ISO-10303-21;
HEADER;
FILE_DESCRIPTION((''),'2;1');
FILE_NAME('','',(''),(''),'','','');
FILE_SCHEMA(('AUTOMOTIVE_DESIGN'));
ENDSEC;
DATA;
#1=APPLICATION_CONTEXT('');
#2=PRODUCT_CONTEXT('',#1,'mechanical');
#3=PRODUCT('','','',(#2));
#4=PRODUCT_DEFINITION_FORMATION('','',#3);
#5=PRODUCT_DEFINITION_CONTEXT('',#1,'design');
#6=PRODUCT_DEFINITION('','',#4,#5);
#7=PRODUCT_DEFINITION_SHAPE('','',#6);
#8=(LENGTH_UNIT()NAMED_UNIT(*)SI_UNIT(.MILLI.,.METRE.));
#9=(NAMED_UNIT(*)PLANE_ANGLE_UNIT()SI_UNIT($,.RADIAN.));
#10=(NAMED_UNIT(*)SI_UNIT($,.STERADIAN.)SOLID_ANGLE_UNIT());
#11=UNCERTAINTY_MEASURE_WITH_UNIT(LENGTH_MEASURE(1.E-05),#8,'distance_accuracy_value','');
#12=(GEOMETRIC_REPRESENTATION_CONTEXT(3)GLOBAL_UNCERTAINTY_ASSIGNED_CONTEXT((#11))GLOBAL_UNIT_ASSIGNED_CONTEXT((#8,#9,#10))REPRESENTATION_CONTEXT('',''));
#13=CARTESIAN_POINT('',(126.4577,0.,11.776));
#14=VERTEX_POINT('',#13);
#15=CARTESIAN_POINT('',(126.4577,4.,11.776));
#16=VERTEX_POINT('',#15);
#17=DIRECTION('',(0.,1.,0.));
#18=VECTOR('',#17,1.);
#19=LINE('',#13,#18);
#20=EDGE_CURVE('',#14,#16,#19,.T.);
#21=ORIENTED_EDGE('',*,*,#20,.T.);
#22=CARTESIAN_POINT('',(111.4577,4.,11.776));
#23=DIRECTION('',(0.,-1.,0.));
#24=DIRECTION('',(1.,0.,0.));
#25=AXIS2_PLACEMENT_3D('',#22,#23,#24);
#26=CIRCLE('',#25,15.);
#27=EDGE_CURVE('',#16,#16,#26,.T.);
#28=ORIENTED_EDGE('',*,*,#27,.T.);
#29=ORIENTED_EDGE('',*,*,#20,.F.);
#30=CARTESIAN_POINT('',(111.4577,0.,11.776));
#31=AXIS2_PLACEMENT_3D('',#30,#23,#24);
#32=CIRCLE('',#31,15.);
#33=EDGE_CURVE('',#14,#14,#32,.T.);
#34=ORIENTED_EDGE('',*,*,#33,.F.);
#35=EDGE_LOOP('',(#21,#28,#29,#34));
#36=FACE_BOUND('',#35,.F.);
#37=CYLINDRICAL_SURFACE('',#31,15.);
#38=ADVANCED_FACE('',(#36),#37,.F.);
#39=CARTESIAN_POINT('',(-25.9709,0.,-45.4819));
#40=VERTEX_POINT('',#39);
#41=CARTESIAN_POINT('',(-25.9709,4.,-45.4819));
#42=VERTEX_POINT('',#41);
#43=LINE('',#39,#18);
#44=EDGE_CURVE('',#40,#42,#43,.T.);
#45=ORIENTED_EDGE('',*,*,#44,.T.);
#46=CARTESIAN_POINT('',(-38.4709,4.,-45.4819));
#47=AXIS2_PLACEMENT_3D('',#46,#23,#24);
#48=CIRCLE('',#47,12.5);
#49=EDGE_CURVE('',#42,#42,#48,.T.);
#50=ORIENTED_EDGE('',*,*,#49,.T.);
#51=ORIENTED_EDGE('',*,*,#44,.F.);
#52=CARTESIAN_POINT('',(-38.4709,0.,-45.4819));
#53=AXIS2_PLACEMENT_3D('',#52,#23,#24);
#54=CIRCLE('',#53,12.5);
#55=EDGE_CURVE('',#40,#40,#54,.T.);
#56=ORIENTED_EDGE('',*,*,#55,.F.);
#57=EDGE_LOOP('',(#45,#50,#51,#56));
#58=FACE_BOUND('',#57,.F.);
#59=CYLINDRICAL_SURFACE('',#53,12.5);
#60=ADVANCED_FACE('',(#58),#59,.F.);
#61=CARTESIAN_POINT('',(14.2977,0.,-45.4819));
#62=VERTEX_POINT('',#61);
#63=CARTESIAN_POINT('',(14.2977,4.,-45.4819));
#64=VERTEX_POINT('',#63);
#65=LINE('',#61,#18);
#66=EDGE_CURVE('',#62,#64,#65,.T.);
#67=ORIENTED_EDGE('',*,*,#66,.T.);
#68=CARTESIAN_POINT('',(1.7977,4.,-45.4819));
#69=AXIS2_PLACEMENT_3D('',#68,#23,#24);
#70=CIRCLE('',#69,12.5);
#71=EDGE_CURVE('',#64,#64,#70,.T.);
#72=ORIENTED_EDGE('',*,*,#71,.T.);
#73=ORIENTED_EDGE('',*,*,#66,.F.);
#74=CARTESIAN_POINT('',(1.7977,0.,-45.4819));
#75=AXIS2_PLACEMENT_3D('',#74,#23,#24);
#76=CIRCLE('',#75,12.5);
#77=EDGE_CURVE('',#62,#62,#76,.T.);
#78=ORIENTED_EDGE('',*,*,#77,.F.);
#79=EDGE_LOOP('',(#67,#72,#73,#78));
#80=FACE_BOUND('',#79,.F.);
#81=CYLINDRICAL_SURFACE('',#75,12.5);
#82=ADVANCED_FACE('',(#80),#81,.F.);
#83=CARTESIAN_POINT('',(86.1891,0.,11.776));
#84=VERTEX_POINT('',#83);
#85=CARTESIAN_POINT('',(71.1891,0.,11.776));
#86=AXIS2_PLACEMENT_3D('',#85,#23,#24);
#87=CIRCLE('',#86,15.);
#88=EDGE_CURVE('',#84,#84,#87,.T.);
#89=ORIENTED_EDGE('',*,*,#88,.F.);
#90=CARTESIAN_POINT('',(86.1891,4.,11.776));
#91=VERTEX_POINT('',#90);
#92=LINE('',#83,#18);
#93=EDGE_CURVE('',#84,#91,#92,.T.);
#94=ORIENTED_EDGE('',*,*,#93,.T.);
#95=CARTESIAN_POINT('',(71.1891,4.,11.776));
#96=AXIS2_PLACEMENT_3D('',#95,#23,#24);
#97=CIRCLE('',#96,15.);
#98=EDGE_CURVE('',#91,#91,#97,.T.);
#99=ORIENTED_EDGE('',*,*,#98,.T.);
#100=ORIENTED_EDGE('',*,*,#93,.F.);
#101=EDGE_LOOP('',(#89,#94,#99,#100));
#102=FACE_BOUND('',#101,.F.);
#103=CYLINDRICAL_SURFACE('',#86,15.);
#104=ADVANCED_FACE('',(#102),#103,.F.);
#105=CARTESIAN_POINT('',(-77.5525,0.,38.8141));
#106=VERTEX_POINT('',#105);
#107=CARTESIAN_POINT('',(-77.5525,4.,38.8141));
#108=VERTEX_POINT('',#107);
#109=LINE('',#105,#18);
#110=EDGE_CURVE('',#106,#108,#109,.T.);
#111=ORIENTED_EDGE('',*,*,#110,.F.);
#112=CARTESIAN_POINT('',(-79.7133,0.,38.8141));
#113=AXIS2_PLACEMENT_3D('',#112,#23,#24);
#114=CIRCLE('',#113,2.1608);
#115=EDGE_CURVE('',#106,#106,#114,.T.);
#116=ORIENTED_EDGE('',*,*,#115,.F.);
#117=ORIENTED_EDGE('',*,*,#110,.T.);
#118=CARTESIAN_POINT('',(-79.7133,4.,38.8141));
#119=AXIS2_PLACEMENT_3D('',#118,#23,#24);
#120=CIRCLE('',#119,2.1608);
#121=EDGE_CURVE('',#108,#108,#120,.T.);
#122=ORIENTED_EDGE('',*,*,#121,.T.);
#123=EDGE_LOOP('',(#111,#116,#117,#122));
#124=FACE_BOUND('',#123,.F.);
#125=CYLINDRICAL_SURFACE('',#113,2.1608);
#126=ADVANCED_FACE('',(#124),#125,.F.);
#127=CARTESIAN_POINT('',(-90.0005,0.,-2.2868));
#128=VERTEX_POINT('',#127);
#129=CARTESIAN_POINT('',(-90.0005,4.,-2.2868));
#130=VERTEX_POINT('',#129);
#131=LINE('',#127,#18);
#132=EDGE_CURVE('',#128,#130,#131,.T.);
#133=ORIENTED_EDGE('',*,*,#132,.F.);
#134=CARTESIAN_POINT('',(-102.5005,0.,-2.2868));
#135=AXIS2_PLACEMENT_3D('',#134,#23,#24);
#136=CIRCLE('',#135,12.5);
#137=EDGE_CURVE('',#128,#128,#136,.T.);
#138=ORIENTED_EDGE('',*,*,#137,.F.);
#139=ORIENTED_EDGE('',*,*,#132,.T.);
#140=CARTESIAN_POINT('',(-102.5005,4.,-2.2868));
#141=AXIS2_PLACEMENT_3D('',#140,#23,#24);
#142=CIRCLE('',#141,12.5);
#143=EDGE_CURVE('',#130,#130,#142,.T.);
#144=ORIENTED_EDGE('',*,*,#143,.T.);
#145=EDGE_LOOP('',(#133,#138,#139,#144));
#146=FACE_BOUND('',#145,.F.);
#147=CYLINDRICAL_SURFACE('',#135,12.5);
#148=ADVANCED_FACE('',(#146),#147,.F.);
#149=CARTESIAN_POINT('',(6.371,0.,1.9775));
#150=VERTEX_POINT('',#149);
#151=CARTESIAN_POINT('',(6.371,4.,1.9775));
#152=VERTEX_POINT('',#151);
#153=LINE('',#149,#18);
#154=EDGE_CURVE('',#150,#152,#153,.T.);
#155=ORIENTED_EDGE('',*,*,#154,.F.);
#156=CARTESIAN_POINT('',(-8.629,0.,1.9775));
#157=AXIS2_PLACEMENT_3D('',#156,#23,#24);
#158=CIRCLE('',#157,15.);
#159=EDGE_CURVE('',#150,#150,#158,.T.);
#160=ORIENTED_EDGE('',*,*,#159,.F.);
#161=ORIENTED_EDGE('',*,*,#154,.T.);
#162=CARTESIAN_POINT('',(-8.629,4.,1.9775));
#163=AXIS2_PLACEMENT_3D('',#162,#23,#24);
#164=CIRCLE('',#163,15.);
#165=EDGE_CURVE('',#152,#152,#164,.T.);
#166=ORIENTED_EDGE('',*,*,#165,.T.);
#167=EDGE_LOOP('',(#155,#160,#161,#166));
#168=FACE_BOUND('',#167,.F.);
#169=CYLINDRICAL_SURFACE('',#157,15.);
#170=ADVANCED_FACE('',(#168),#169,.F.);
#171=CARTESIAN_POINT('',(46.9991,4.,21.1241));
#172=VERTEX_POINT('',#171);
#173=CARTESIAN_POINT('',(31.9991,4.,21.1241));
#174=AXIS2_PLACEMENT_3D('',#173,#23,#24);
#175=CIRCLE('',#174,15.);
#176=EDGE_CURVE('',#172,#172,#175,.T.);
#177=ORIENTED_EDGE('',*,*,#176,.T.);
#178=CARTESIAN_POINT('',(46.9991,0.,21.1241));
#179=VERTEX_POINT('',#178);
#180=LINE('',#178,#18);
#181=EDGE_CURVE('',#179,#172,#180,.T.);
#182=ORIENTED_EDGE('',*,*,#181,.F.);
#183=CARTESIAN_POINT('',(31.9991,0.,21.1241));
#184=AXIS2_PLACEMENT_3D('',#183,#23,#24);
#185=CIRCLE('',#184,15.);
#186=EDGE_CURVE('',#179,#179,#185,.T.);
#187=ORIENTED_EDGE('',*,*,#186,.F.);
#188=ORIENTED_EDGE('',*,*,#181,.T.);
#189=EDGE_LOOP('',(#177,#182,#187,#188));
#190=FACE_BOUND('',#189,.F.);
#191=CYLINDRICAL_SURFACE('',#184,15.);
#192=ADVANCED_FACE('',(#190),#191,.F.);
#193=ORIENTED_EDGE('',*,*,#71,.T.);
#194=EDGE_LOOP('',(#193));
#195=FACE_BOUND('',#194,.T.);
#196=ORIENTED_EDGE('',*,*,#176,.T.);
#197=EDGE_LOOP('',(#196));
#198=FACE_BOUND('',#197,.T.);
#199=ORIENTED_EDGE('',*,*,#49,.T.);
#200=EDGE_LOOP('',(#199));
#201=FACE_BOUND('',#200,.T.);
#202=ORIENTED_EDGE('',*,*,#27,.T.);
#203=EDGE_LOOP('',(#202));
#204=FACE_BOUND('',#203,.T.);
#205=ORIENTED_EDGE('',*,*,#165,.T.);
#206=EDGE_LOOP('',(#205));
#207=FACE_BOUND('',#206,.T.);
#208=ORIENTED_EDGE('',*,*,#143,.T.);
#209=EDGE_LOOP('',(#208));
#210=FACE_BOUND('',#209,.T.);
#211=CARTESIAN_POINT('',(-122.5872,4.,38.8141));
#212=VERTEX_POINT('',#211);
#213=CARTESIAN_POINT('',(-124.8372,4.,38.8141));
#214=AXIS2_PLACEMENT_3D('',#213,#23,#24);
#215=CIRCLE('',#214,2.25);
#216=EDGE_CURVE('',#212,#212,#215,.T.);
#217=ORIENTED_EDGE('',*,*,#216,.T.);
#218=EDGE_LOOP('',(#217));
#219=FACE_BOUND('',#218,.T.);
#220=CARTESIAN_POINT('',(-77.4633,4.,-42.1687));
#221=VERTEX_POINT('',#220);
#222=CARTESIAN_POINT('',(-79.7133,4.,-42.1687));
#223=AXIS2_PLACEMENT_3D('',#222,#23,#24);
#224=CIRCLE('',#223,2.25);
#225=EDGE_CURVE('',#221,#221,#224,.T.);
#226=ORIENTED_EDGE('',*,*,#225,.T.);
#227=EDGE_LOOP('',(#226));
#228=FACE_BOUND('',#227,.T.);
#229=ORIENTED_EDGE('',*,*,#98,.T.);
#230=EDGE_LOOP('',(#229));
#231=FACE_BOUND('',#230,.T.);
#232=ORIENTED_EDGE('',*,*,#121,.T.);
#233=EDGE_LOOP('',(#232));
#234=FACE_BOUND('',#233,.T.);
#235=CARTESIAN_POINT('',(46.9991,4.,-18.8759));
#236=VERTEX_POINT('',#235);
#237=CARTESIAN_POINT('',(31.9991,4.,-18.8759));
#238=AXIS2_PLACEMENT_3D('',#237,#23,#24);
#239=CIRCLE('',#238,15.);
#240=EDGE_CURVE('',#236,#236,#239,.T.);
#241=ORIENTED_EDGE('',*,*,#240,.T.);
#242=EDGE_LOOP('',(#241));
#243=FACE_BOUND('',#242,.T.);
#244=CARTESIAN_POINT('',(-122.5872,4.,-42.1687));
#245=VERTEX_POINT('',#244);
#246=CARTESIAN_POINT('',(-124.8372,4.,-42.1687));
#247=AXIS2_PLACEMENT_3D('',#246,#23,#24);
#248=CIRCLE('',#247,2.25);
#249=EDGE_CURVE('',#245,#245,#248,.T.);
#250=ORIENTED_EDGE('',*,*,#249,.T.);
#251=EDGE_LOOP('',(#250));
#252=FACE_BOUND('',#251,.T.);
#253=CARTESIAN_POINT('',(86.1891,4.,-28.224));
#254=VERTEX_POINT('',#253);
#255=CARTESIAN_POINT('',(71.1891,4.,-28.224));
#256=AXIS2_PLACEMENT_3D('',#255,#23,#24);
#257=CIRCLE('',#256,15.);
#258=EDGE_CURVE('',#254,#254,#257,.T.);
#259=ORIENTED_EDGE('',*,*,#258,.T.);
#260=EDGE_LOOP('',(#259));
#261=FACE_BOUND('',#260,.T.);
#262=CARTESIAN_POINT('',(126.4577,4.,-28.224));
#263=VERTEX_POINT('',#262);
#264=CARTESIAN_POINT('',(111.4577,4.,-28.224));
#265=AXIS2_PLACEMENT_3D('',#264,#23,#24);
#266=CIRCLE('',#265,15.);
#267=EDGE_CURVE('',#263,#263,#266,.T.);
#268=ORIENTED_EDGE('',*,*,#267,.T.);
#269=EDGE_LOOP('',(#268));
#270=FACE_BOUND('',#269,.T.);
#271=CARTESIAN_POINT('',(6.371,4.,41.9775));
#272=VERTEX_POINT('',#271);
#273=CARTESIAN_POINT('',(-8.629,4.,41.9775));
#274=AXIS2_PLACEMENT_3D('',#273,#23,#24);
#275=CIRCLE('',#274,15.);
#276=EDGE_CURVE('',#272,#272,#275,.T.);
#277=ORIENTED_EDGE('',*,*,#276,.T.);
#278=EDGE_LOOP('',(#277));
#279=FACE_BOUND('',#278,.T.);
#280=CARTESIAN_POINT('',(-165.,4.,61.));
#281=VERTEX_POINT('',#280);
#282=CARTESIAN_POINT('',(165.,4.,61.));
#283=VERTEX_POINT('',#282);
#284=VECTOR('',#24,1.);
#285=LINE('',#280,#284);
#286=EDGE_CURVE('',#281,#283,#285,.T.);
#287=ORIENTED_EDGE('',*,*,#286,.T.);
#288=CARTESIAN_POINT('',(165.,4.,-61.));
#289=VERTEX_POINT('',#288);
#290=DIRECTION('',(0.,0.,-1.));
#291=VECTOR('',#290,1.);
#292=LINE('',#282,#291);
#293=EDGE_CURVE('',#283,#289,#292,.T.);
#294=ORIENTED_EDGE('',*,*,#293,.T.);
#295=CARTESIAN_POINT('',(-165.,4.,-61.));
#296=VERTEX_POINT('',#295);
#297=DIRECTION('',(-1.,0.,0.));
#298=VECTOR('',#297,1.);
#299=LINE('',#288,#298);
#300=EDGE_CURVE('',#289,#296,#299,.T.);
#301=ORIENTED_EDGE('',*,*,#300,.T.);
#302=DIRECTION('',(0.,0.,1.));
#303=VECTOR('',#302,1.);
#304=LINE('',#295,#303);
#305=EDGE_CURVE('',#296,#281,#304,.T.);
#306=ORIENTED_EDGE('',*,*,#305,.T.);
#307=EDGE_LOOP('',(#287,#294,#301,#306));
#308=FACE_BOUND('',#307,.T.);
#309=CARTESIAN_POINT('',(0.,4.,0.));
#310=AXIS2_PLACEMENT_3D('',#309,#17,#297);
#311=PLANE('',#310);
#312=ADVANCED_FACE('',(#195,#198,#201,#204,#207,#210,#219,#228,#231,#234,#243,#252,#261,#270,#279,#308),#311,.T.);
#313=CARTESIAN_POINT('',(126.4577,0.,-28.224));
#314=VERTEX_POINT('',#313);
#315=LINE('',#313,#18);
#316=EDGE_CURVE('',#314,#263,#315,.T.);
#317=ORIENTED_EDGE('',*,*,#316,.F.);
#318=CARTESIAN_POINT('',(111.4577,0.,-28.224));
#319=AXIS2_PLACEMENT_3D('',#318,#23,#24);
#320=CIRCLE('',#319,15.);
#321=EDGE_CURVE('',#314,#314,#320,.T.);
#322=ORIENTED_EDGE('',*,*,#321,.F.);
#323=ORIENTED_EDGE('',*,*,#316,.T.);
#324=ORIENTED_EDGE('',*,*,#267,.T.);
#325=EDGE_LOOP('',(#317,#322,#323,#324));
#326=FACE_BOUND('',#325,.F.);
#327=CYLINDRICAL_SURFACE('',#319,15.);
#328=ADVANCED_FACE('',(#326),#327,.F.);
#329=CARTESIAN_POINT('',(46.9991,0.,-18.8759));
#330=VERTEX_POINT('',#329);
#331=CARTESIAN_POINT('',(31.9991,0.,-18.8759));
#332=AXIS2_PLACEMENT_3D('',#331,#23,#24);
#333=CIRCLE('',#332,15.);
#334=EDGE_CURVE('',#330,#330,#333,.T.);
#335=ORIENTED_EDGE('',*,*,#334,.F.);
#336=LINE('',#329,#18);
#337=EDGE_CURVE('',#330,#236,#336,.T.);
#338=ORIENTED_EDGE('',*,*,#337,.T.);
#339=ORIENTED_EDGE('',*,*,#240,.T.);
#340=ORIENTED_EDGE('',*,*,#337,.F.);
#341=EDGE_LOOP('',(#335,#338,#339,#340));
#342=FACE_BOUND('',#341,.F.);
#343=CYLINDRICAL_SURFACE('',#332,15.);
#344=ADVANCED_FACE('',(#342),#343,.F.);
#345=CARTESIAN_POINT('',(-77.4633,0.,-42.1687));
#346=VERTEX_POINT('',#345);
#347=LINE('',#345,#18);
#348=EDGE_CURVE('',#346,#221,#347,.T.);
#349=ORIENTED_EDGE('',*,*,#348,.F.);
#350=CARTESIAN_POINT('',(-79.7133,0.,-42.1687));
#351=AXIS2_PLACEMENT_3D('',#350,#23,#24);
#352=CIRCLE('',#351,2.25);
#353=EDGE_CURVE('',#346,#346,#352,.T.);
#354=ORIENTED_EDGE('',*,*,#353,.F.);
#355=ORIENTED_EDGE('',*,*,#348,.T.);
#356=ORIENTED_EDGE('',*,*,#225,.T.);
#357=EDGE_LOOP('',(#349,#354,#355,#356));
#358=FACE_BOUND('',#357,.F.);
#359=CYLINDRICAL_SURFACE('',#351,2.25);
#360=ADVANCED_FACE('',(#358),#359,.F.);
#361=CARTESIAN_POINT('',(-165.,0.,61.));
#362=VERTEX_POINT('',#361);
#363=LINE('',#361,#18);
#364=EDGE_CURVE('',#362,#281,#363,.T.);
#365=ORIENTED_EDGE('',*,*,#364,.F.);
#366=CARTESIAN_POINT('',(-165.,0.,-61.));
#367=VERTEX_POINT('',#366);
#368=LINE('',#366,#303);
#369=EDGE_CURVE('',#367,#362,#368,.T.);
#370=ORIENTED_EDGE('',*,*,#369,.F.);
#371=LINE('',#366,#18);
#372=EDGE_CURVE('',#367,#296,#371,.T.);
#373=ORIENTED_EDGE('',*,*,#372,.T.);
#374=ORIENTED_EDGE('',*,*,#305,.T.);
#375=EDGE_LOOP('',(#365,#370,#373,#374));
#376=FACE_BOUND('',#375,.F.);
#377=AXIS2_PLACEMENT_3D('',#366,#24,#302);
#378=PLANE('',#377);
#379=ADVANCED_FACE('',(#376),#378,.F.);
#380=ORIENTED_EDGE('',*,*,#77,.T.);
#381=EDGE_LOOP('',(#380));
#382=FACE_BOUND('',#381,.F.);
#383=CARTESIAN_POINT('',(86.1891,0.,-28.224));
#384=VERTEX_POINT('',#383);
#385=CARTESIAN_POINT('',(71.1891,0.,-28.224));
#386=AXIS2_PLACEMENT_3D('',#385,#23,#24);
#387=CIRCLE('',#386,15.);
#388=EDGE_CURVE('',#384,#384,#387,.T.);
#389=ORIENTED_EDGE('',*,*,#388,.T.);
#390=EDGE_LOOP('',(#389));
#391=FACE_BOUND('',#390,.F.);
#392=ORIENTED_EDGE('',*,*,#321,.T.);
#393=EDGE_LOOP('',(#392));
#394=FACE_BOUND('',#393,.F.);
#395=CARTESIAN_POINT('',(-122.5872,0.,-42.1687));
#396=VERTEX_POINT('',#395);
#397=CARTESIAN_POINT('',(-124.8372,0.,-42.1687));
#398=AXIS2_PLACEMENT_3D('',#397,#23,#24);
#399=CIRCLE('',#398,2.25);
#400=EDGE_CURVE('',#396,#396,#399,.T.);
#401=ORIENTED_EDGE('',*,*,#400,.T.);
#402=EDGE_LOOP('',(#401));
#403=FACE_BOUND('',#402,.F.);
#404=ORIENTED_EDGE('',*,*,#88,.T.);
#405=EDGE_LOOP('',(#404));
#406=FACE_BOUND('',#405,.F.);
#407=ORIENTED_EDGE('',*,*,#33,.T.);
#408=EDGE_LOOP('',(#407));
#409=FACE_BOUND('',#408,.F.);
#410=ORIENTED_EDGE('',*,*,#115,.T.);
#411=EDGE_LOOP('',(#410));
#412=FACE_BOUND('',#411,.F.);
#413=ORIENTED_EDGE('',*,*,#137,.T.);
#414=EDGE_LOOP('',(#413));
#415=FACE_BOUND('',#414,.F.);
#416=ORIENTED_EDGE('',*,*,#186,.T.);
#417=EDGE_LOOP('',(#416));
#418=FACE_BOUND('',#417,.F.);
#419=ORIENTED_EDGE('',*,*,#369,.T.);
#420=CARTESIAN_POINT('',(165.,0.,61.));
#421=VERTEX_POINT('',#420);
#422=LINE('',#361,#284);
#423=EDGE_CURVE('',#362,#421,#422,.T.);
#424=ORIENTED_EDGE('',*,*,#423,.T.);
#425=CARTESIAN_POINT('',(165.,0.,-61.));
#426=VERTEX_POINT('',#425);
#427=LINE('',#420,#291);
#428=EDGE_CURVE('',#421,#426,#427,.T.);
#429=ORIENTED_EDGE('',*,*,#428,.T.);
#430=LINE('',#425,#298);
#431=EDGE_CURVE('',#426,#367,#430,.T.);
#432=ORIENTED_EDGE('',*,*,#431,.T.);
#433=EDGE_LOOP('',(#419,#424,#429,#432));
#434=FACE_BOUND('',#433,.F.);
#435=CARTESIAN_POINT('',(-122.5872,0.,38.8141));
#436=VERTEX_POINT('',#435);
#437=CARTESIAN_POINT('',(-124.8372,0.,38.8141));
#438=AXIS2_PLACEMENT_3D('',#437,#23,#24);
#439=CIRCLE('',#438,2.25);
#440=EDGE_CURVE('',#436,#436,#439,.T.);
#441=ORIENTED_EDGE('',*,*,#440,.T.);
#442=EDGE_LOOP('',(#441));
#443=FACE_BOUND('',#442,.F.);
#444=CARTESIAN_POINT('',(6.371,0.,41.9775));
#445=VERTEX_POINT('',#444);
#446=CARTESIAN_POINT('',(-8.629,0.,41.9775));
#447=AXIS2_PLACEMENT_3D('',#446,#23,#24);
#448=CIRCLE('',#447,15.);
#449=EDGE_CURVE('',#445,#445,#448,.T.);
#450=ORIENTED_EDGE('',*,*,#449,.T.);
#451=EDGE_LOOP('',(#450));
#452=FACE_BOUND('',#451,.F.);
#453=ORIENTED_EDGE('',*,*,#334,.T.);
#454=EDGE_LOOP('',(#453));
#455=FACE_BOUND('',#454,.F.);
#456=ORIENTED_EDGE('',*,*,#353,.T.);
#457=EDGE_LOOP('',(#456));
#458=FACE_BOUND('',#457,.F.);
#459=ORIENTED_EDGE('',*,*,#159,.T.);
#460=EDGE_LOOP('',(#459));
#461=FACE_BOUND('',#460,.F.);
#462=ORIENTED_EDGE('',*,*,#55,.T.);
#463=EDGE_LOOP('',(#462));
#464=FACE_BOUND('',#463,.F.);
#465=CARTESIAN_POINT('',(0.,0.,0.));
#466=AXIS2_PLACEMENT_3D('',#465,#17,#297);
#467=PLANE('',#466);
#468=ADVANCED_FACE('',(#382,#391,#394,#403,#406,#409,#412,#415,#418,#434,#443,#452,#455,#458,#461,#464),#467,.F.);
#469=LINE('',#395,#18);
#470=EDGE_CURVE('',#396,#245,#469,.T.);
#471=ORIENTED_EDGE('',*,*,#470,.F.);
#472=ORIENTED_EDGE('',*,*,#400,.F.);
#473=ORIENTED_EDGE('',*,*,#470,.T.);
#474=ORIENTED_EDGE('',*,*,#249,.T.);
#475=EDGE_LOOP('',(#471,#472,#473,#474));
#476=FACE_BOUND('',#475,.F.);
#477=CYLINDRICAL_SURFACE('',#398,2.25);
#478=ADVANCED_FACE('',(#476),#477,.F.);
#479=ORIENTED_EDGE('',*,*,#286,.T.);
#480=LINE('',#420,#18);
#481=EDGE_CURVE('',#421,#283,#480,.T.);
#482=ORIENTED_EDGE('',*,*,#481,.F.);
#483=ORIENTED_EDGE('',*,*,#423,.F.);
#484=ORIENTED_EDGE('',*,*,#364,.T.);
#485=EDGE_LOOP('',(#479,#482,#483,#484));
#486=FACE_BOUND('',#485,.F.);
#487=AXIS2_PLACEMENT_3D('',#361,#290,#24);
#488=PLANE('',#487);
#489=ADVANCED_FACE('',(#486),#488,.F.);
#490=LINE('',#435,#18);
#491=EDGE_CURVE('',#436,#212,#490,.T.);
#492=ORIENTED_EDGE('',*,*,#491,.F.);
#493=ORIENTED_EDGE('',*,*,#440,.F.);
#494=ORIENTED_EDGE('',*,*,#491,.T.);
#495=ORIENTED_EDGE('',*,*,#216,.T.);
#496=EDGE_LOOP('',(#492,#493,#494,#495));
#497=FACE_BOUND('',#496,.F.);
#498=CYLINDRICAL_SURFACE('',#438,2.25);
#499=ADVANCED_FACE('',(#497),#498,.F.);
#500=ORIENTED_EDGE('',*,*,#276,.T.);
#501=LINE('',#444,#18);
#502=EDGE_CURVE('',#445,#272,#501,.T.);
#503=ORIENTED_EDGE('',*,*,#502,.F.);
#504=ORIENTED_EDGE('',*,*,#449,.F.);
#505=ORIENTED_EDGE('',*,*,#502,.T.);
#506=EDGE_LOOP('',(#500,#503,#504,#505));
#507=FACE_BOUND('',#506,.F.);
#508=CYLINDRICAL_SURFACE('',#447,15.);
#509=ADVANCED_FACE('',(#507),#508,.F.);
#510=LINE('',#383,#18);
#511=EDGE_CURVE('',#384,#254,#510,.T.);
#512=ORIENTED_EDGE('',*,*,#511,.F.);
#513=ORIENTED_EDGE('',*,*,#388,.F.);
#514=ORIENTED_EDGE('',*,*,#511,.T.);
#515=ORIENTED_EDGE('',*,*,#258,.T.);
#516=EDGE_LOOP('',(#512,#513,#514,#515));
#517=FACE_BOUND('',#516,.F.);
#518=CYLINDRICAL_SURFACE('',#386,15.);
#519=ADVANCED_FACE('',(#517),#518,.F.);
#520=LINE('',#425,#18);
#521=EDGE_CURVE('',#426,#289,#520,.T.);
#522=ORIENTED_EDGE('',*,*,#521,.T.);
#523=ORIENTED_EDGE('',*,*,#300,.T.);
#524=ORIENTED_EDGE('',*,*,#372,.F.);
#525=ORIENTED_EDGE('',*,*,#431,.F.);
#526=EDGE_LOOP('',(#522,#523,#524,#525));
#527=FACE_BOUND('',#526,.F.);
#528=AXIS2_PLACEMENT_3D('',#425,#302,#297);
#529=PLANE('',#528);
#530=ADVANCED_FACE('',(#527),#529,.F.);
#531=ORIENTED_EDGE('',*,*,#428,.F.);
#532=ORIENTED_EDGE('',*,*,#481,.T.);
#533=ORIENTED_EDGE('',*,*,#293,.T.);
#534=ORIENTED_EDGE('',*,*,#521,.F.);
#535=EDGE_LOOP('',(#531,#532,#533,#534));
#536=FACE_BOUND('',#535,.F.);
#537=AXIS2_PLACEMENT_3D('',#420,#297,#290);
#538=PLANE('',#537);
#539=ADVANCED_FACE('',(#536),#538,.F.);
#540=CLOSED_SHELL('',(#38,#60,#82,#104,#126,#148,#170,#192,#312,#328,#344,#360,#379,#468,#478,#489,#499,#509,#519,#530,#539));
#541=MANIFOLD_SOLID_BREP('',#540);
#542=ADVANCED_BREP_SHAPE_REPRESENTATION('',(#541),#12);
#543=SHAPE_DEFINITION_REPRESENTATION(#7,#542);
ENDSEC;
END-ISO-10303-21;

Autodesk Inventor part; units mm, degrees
ref_plane "YZ Plane" through (0, 0, 0) normal (1, 0, 0) x (0, 1, 0)
ref_plane "XZ Plane" through (0, 0, 0) normal (0, 1, 0) x (-1, 0, 0)
ref_plane "XY Plane" through (0, 0, 0) normal (0, 0, 1) x (1, 0, 0)
sketch "Sketch1" plane through (0, 0, 0) normal (0, 1, 0) x (-1, 0, 0)
  line L0 (165, 61) -> (-165, 61)
  line L1 (-165, 61) -> (-165, -61)
  line L2 (-165, -61) -> (165, -61)
  line L3 (165, -61) -> (165, 61)
  point P0 (0, 0)
  point P1 (0, -61)
  point P2 (165, 0)
  dimension "d0" = 122
  dimension "d1" = 330
extrude "Extrusion1" add sketch "Sketch1" along normal blind 4
sketch "Esboço2" plane through (0, 0, 0) normal (0, -1, 0) x (1, 0, 0)
  circle A0 centre (111.4577, -28.224) radius 15
  circle A1 centre (71.1891, -28.224) radius 15
  circle A2 centre (71.1891, 11.776) radius 15
  circle A3 centre (111.4577, 11.776) radius 15
  circle A4 centre (31.9991, -18.8759) radius 15
  circle A5 centre (31.9991, 21.1241) radius 15
  circle A6 centre (-8.629, 1.9775) radius 15
  circle A7 centre (-8.629, 41.9775) radius 15
  circle A8 centre (1.7977, -45.4819) radius 12.5
  circle A9 centre (-38.4709, -45.4819) radius 12.5
  circle A10 centre (-102.5005, -2.2868) radius 12.5
  circle A11 centre (-79.7133, -42.1687) radius 2.25
  circle A12 centre (-124.8372, -42.1687) radius 2.25
  circle A13 centre (-79.7133, 38.8141) radius 2.1608
  circle A14 centre (-124.8372, 38.8141) radius 2.25
  point P0 (0, 0)
  dimension "d4" = 30
  dimension "d5" = 30
  dimension "d6" = 30
  dimension "d7" = 30
  dimension "d8" = 30
  dimension "d9" = 30
  dimension "d10" = 40
  dimension "d11" = 40
  dimension "d12" = 40
  dimension "d13" = 30
  dimension "d14" = 30
  dimension "d15" = 40
  dimension "d16" = 25
  dimension "d17" = 25
  dimension "d18" = 25
  dimension "d19" = 4.5
  dimension "d20" = 4.5
  dimension "d21" = 4.5
extrude "Extrusão2" cut sketch "Esboço2" against normal blind 5
sketch "Esboço3" plane through (0, 0, 0) normal (0, -1, 0) x (1, 0, 0)
  point P0 (0, 0)
properties part number "controles2"
